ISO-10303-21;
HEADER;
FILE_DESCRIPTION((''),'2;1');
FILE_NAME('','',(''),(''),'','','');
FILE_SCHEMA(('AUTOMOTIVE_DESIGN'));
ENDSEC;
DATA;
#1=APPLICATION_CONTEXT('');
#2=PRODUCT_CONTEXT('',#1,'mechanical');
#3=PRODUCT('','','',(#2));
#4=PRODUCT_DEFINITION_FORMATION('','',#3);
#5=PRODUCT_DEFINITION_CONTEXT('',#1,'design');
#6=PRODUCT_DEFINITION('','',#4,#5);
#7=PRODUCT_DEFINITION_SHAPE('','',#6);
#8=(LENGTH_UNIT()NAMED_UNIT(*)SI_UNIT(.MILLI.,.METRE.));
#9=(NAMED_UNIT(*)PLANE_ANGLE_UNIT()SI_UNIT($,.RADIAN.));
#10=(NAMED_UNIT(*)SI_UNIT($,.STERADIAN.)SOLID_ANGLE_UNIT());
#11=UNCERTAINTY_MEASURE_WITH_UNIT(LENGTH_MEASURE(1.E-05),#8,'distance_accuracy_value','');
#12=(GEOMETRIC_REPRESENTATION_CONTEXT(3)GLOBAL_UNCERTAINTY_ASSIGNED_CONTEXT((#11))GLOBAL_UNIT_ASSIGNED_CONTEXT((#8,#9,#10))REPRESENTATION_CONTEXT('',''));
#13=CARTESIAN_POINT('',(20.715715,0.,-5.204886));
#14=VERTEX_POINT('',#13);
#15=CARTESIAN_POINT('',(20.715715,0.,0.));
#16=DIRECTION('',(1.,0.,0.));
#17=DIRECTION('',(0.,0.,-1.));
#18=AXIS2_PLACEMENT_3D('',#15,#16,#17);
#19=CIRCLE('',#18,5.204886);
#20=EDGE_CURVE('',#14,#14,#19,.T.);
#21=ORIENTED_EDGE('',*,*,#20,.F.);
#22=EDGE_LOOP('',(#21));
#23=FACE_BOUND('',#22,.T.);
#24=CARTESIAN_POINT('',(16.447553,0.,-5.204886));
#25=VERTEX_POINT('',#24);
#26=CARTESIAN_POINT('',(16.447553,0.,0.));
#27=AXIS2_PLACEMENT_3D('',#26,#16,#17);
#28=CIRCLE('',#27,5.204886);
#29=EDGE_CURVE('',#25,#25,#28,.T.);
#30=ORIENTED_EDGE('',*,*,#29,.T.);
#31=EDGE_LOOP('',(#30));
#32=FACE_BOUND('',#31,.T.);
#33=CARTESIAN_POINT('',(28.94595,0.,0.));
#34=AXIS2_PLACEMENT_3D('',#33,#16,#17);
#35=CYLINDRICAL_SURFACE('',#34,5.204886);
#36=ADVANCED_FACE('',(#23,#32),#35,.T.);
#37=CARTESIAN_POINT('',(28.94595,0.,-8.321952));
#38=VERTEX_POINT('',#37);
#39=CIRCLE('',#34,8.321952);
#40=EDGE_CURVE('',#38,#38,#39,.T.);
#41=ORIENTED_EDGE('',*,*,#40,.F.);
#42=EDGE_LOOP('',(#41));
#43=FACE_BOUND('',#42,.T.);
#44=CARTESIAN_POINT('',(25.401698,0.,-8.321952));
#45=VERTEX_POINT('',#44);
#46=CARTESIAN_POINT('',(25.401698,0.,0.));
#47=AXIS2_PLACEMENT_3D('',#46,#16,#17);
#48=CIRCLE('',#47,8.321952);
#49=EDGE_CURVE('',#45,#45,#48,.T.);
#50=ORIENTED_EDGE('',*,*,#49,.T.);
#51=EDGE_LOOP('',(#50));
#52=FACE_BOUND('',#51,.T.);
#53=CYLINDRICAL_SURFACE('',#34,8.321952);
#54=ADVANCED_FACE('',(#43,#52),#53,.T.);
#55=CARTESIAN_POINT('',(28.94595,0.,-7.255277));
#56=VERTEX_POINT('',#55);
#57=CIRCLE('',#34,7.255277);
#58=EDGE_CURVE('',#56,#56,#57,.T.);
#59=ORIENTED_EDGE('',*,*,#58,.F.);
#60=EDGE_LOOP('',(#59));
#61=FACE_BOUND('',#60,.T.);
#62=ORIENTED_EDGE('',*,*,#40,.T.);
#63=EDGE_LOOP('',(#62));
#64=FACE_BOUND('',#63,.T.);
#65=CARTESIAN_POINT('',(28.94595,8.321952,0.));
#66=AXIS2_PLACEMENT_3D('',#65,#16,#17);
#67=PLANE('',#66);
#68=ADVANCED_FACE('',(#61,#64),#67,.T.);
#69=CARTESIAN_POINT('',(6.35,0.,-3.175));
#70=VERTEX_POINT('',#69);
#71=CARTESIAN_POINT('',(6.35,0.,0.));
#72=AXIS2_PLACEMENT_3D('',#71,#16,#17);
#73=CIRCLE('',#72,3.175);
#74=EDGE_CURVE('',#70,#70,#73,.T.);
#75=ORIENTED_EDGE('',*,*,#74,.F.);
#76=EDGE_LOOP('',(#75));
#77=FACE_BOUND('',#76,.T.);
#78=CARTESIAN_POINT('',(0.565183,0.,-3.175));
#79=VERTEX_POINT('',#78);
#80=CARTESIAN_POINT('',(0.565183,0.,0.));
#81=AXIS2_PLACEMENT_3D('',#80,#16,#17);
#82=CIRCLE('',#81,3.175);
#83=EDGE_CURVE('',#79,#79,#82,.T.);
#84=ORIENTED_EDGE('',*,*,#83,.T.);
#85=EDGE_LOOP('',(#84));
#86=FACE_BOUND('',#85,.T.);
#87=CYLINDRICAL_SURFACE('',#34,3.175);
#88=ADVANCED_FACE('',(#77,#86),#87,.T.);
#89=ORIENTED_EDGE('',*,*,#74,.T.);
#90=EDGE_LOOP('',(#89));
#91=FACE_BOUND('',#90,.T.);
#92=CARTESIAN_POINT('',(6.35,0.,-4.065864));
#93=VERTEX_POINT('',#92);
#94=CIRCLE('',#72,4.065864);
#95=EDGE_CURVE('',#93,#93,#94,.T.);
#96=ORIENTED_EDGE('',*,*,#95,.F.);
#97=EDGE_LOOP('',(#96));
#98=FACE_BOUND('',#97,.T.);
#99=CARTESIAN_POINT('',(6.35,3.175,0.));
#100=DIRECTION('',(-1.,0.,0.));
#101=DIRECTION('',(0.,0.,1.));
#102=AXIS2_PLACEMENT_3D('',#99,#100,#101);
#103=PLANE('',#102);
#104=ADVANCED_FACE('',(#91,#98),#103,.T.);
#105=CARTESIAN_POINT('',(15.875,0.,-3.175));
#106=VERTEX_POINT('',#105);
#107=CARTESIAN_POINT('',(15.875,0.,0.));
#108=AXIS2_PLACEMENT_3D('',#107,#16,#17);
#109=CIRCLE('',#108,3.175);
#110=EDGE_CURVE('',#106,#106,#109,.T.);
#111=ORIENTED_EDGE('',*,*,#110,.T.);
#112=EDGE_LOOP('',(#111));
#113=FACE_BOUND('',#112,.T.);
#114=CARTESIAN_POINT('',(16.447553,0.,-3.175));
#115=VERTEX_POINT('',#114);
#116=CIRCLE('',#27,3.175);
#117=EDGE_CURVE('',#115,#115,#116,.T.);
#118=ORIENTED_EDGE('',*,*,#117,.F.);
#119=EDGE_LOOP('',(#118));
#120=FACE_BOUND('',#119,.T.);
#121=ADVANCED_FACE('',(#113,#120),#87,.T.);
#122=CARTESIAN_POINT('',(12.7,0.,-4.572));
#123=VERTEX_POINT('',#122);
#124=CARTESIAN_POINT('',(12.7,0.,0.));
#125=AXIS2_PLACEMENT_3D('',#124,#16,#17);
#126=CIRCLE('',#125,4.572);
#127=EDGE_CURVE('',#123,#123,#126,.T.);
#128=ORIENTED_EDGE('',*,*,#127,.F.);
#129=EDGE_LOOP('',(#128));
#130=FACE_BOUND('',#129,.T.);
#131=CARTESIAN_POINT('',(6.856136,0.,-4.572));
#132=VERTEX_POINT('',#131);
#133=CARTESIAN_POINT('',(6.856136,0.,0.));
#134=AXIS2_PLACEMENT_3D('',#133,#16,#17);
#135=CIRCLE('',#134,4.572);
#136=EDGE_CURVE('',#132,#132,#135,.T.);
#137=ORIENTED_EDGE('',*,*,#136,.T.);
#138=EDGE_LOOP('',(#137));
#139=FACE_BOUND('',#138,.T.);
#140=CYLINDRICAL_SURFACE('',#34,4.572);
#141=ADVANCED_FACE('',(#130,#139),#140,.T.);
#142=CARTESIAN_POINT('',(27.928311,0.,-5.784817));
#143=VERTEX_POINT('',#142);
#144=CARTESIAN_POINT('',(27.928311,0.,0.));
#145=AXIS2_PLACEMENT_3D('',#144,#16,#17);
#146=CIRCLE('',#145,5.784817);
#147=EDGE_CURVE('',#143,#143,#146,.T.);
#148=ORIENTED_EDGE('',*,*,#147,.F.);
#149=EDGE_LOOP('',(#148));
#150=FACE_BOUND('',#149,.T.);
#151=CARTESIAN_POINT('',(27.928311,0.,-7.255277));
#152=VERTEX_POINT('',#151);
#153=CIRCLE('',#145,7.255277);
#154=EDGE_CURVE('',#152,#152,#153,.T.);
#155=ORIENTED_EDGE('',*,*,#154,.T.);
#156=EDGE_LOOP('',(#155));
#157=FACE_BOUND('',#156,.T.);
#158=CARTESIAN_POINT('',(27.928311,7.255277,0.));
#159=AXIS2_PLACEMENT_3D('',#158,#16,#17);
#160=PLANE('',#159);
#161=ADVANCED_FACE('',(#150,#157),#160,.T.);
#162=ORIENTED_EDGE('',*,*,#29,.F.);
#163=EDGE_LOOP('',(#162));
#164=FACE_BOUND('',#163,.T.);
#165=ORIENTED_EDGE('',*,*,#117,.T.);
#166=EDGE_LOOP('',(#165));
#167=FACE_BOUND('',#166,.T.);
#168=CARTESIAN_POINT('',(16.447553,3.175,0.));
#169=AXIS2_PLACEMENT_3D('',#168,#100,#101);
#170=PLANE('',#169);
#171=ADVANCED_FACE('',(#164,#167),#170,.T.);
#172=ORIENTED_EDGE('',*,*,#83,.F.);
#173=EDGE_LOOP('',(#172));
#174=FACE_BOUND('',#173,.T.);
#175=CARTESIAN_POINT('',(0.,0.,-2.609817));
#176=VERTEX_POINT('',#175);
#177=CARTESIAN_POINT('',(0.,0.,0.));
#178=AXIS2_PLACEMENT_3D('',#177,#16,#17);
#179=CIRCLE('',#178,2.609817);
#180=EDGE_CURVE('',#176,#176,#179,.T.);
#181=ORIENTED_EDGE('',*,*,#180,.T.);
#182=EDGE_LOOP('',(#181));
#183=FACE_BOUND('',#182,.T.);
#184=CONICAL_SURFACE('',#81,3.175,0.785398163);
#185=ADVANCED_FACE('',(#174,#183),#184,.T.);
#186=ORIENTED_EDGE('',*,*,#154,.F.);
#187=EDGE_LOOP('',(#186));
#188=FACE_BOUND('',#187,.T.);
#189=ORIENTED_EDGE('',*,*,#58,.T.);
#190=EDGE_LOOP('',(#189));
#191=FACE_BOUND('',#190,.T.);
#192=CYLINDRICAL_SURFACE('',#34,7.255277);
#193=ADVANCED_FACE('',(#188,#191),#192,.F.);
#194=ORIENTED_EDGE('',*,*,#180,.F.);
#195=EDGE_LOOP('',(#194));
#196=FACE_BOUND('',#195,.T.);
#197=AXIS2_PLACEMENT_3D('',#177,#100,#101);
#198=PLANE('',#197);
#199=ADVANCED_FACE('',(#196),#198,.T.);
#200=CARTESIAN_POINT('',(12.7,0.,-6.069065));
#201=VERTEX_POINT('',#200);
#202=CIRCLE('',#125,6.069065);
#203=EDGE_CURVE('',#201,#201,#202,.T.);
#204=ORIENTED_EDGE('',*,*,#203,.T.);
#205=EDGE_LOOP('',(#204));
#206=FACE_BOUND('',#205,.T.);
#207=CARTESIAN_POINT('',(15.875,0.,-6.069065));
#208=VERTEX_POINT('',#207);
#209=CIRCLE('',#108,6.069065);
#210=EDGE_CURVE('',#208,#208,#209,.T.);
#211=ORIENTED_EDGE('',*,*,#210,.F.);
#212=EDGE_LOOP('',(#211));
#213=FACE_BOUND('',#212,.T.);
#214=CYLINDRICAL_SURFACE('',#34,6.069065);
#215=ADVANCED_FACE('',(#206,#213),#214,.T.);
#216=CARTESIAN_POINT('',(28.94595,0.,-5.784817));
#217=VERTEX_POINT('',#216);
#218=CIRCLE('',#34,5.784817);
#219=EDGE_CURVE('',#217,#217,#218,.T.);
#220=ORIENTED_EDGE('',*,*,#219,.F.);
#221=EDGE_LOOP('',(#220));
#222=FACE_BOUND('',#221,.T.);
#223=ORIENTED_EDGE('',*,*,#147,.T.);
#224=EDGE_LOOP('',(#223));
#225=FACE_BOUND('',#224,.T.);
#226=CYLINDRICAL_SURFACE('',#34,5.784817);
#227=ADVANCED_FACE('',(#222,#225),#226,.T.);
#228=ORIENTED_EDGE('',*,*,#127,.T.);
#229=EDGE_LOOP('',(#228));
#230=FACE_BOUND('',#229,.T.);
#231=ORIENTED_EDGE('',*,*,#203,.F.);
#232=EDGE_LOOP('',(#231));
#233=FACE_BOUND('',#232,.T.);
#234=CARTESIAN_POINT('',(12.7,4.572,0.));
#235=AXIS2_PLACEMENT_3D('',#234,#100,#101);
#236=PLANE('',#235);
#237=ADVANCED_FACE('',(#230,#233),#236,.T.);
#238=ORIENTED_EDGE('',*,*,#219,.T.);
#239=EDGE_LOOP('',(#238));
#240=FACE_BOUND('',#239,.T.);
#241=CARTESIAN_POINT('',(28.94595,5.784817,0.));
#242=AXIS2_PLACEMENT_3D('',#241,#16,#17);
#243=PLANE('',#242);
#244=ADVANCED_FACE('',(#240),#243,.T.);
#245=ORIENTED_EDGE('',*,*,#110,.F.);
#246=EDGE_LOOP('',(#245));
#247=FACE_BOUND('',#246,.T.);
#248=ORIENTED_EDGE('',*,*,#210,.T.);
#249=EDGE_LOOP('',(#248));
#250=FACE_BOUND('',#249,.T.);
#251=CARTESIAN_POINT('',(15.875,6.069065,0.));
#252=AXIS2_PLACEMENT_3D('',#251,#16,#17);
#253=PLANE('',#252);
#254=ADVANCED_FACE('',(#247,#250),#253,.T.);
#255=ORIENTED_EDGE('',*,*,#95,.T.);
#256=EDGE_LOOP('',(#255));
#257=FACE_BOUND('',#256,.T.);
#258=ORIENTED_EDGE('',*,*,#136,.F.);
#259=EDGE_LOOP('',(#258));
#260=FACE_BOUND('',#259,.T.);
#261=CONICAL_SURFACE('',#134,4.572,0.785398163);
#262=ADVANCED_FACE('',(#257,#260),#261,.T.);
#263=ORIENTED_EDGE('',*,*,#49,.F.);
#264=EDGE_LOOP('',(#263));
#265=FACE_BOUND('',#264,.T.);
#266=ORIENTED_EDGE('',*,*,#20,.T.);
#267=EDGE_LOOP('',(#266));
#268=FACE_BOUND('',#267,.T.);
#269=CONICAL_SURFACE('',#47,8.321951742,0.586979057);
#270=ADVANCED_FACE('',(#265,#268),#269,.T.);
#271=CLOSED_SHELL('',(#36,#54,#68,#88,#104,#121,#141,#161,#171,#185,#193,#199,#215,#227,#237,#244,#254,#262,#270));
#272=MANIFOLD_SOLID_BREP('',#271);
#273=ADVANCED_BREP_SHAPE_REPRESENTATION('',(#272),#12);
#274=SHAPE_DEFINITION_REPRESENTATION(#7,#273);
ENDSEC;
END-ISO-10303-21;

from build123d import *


with BuildPart() as part:
    # Sketch1 → Revolve1 (revolve)
    with BuildSketch(Plane.XY, mode=Mode.PRIVATE) as revolve1_sk:
        Polygon((0, 0), (0, 2.609816754), (0.565183246, 3.175), (6.35, 3.175), (6.35, 4.065863984), (6.856136016, 4.572), (12.7, 4.572), (12.7, 6.069064721), (15.875, 6.069064721), (15.875, 3.175), (16.447553087, 3.175), (16.447553087, 5.20488643), (20.715714832, 5.20488643), (25.401697744, 8.321951742), (28.945950385, 8.321951742), (28.945950385, 7.255276624), (27.928310887, 7.255276624), (27.928310887, 5.784816754), (28.945950385, 5.784816754), (28.945950385, 0), align=None)
    revolve(revolve1_sk.sketch.rotate(Axis((28.945950385, 0, 0), (-1, 0, 0)), 90), axis=Axis((28.945950385, 0, 0), (-1, 0, 0)))


solid = part.part
